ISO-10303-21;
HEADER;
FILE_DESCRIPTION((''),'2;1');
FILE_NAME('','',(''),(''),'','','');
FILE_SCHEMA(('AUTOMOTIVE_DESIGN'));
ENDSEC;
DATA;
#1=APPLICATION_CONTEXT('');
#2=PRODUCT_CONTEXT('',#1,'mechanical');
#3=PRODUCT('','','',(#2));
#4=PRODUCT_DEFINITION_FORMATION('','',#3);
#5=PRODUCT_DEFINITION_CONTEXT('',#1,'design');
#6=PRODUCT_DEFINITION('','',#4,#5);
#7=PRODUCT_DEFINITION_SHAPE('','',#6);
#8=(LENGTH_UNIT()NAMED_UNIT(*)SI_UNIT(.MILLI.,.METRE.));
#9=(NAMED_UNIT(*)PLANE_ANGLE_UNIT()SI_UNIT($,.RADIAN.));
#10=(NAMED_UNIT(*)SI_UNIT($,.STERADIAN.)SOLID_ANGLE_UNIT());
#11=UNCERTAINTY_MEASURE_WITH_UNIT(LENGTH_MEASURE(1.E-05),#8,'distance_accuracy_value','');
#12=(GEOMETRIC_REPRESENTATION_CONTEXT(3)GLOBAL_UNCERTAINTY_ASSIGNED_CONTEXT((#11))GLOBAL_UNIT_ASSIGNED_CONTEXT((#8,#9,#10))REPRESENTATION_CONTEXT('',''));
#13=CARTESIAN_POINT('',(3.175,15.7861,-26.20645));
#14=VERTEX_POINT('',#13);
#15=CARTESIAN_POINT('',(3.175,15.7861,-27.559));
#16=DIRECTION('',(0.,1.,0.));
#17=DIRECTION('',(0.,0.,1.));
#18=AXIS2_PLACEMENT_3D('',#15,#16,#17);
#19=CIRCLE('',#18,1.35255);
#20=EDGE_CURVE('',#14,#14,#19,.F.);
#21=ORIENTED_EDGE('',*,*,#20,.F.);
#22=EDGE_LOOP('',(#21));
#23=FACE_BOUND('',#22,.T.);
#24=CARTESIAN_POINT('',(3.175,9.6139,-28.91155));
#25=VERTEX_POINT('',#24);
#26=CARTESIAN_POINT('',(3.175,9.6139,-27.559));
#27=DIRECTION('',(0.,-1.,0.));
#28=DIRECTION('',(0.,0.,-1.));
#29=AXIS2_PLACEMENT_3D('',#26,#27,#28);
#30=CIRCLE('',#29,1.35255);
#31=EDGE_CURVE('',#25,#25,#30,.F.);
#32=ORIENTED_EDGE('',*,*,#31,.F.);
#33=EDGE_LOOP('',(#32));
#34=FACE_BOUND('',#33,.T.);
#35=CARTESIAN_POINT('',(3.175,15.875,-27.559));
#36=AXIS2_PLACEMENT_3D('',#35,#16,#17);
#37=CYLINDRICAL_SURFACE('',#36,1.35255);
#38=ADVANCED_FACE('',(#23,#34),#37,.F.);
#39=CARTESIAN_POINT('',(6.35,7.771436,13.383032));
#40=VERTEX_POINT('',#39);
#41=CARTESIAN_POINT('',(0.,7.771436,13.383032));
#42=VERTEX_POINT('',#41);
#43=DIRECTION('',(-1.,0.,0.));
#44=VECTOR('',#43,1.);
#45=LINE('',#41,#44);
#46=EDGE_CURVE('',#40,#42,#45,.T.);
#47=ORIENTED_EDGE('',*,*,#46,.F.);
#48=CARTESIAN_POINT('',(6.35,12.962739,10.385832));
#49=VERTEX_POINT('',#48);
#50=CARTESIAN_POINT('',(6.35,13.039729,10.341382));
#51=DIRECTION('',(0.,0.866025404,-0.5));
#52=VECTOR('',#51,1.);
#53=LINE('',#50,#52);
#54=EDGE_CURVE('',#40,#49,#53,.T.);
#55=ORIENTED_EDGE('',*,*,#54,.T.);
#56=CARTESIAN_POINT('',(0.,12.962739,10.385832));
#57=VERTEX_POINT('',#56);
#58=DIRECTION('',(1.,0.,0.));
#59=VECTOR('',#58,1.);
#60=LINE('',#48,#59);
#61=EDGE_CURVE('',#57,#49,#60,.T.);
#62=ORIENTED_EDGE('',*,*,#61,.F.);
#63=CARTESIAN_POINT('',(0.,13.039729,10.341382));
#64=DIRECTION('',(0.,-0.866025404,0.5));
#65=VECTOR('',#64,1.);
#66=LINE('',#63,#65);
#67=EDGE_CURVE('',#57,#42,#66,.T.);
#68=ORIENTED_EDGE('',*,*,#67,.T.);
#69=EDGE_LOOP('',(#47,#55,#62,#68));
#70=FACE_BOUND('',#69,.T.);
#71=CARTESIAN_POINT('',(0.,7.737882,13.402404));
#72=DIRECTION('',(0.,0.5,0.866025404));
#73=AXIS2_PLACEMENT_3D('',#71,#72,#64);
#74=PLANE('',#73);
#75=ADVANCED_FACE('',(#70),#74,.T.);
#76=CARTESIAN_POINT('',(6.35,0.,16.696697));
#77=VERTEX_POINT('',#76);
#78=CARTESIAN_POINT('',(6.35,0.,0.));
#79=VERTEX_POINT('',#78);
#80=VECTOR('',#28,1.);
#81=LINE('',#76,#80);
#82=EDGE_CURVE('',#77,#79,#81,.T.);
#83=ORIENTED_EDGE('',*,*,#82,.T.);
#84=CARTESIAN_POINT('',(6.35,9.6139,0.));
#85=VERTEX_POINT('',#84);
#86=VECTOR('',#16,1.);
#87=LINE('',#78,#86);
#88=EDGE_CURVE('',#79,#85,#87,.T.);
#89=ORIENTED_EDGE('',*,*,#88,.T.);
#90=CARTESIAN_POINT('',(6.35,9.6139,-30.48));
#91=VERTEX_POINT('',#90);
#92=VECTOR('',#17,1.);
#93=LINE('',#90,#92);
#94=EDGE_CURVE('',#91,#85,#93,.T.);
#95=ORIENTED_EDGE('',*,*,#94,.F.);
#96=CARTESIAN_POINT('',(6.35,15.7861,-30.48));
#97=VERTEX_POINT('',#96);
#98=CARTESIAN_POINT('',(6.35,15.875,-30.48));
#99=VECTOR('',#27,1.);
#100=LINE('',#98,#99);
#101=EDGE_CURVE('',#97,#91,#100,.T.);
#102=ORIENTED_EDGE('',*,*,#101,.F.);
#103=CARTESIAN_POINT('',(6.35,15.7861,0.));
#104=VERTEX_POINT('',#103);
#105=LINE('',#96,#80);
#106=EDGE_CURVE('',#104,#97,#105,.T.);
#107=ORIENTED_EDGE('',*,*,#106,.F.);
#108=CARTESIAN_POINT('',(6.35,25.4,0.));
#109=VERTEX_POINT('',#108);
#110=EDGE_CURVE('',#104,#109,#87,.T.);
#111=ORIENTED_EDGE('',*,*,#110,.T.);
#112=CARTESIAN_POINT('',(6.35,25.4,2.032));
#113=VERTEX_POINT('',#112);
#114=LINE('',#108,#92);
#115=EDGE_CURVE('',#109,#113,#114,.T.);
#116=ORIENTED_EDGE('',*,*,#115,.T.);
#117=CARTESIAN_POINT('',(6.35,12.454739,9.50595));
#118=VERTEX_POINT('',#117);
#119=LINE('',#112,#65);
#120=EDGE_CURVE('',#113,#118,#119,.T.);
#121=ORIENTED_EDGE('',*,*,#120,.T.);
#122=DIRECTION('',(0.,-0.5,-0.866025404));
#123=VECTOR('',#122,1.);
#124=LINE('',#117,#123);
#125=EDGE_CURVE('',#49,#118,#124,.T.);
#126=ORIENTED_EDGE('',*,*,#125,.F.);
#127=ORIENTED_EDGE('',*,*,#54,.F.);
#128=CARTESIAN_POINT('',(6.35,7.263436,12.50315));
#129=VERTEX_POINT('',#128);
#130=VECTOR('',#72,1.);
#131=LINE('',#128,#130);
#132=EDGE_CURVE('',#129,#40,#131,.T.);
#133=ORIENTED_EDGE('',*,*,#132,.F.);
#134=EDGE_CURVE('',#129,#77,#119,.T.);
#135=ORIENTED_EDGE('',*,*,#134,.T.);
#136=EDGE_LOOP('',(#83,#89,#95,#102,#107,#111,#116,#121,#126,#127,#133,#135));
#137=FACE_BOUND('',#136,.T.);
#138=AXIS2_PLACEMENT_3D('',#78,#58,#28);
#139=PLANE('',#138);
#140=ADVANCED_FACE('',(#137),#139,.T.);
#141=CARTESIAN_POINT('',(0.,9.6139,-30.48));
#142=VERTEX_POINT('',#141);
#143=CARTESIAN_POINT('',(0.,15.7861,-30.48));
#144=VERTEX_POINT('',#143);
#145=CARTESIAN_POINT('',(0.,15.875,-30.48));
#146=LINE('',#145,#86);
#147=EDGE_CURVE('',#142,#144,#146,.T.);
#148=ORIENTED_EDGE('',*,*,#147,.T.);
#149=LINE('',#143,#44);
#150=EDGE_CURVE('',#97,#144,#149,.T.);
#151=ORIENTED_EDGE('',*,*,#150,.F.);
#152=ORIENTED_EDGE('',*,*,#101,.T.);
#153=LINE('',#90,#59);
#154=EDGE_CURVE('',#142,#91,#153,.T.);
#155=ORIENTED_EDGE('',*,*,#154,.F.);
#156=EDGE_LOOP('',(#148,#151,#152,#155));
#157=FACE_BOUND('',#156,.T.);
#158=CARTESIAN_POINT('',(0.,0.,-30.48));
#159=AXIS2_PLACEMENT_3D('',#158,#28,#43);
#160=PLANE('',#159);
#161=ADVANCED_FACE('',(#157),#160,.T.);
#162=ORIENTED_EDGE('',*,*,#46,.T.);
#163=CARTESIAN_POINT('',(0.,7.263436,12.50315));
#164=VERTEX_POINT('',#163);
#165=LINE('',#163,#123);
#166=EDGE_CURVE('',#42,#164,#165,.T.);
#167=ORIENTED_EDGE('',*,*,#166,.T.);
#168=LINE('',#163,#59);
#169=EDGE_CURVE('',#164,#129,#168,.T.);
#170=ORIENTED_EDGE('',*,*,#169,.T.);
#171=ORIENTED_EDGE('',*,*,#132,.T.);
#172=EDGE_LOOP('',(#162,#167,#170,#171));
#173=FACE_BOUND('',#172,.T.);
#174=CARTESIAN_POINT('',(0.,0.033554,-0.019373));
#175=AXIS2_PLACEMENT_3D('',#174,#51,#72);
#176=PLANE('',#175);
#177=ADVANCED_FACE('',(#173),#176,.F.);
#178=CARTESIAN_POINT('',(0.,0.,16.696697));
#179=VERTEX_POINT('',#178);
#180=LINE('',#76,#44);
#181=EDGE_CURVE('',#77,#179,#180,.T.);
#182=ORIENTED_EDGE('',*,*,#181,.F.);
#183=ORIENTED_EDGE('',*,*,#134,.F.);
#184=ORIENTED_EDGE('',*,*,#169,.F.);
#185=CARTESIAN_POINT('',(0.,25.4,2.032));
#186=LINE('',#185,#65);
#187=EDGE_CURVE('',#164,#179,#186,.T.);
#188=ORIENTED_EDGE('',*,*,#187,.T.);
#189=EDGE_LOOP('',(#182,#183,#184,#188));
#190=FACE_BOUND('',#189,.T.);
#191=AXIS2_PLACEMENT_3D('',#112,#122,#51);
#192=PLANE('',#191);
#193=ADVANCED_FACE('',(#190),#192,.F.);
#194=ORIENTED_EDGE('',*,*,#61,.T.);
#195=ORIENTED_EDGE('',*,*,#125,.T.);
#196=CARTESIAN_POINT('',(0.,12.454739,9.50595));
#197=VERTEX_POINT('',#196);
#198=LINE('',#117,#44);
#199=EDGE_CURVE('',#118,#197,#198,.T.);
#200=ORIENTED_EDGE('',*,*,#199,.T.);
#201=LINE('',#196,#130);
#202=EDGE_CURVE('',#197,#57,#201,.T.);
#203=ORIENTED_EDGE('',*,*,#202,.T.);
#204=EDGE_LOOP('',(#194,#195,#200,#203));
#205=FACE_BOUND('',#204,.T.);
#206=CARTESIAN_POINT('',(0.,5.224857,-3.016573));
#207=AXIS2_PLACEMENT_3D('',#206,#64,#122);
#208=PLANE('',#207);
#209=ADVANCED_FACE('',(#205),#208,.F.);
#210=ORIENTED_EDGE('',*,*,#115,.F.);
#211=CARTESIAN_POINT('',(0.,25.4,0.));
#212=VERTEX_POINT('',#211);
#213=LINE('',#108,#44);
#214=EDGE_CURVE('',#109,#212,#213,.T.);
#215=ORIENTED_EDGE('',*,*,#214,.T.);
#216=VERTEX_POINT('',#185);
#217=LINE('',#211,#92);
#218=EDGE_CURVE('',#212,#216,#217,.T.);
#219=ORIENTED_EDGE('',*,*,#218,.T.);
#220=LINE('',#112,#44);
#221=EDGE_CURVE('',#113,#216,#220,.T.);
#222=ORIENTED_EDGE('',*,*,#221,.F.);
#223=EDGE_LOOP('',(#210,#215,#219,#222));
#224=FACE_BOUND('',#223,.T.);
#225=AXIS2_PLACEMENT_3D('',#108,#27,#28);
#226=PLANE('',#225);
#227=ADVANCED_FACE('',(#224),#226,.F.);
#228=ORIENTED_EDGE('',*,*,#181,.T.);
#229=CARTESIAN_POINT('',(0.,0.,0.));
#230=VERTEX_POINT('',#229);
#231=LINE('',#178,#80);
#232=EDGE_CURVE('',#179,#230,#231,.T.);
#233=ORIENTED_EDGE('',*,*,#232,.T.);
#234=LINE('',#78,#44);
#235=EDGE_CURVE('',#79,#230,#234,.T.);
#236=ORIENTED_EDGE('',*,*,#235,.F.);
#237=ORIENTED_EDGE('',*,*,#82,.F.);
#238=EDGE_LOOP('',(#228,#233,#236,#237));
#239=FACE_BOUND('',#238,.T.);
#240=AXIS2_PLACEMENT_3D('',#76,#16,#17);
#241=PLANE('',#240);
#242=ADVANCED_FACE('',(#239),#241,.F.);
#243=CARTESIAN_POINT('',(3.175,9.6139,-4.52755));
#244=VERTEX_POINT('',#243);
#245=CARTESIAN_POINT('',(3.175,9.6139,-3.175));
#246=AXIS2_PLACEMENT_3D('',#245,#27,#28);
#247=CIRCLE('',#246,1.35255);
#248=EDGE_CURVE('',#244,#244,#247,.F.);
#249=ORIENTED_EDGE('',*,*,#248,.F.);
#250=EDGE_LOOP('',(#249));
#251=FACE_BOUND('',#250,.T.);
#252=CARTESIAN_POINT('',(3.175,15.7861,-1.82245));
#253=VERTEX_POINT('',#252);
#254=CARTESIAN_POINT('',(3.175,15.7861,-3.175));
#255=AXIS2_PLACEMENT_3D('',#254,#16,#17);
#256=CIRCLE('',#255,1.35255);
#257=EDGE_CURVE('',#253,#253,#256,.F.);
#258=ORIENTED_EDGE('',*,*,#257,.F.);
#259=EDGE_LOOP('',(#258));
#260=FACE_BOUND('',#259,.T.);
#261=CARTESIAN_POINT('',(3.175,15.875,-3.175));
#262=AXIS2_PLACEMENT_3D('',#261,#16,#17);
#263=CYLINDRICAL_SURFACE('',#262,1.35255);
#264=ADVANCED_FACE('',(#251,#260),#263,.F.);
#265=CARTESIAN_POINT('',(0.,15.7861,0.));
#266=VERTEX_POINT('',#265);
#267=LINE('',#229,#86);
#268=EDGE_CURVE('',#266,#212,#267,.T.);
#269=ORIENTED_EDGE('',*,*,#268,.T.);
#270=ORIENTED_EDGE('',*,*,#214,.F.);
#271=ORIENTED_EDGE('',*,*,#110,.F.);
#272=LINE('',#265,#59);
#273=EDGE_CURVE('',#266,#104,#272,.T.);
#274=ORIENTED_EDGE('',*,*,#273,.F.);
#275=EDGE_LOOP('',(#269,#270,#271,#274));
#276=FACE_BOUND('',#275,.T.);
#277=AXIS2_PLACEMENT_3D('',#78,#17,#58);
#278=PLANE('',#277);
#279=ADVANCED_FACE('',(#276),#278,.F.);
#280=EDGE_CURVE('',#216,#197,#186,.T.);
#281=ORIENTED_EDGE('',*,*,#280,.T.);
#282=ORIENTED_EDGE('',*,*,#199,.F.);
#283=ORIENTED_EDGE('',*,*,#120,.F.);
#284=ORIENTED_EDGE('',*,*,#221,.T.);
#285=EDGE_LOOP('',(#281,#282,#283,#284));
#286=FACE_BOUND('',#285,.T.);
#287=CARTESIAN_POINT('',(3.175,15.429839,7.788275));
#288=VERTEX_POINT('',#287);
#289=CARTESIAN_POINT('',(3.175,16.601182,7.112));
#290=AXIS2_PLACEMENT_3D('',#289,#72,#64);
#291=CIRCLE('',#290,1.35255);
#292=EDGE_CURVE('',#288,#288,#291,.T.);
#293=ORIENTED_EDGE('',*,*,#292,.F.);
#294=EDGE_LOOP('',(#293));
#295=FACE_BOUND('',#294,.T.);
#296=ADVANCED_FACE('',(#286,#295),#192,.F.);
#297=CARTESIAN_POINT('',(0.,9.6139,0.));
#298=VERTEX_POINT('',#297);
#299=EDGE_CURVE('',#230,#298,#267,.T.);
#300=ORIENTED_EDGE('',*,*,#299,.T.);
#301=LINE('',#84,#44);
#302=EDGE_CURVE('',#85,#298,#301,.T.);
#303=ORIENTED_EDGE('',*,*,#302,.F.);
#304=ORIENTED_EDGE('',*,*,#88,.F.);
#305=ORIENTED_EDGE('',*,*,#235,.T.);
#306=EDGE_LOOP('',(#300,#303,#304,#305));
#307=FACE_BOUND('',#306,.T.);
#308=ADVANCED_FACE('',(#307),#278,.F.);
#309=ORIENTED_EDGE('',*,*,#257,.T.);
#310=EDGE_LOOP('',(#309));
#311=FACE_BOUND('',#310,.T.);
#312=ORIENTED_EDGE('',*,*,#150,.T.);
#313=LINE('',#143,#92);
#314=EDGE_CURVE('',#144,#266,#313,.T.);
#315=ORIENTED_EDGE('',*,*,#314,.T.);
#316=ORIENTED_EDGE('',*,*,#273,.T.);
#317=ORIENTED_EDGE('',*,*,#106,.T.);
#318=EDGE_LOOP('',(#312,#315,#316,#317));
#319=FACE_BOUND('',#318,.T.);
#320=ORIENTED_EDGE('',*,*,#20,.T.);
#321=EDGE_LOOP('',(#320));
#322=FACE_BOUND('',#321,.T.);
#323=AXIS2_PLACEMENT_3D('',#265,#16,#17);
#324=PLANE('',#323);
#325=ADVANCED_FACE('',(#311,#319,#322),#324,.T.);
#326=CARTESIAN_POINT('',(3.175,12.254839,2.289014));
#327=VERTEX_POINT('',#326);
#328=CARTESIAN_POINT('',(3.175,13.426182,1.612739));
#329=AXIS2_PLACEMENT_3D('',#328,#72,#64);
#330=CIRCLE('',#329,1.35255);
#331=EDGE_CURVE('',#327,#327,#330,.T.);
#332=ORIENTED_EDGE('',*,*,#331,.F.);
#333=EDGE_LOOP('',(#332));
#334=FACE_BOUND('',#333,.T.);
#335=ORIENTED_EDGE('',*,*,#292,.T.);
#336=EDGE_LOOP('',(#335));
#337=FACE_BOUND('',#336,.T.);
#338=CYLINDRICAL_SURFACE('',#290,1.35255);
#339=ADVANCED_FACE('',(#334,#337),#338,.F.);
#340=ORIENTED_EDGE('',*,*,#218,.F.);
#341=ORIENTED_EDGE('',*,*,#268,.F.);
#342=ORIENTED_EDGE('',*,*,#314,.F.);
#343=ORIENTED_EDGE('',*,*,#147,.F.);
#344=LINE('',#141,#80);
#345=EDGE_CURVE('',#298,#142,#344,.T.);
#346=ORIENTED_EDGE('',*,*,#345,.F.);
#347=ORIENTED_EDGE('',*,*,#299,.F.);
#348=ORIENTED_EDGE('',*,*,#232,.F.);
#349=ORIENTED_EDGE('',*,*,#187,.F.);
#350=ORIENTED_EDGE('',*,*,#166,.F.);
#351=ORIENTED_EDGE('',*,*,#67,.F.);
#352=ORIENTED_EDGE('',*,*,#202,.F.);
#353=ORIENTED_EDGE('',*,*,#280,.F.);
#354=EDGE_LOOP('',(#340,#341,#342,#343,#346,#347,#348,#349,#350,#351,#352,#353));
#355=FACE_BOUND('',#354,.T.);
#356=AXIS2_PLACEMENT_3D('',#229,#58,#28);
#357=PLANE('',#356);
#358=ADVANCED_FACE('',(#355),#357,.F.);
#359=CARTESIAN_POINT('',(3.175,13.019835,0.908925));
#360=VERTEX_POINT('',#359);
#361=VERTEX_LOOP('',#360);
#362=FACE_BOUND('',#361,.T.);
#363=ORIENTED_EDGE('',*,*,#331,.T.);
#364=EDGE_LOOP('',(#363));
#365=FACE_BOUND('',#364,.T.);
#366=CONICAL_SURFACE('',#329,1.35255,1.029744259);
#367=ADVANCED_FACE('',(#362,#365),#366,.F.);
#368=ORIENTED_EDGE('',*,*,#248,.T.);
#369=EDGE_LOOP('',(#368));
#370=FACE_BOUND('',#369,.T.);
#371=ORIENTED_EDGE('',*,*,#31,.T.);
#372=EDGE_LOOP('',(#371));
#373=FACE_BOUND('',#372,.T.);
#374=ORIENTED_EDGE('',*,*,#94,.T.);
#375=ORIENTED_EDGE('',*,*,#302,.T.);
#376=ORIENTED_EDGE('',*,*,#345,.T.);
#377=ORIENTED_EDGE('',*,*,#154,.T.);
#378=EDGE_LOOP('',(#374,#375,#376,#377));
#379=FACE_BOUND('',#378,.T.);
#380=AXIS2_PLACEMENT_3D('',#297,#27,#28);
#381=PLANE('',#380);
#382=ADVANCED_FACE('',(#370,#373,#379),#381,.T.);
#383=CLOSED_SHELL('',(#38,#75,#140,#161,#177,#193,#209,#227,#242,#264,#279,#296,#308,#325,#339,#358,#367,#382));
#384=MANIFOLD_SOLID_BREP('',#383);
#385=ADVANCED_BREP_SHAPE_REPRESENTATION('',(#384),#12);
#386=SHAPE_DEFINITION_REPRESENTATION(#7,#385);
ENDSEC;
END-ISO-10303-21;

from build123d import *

# Parameters (mm, degrees)
BOSS_EXTRUDE1_DEPTH           = 6.35
SKETCH2_W                     = 6.35
SKETCH2_H                     = 6.35
BOSS_EXTRUDE2_DEPTH           = 30.48
SKETCH10_W                    = 6.35
SKETCH10_H                    = 6.1722
BOSS_EXTRUDE3_DEPTH           = 1.016
TAP_DRILL_FOR_6_32_TAP4_D     = 2.7051
TAP_DRILL_FOR_6_32_TAP4_DEPTH = 6.35
TAP_DRILL_FOR_6_32_TAP4_TIP   = 0.81269403
TAP_DRILL_FOR_6_32_TAP3_D     = 2.7051
SKETCH13_W                    = 6.35
SKETCH13_H                    = 30.48
CUT_EXTRUDE1_DEPTH            = 0.0889
SKETCH14_W                    = 6.35
SKETCH14_H                    = 30.48
CUT_EXTRUDE2_DEPTH            = 0.0889
SKETCH15_W                    = 6.35
SKETCH15_H                    = 1.016
CUT_EXTRUDE3_DEPTH            = 0.0889
SKETCH16_W                    = 6.35
SKETCH16_H                    = 1.016
CUT_EXTRUDE4_DEPTH            = 0.0889


with BuildPart() as part:
    # Sketch1 → Boss-Extrude1 (new body)
    with BuildSketch(Plane(origin=(0, 0, 0), x_dir=(0, 0, -1), z_dir=(1, 0, 0))):
        Polygon((0, 0), (0, 25.4), (-2.032, 25.4), (-16.696696837, 0), align=None)
    extrude(amount=BOSS_EXTRUDE1_DEPTH)

    # Sketch2 → Boss-Extrude2 (add)
    with BuildSketch(Plane(origin=(0, 0, 0), x_dir=(-1, 0, 0), z_dir=(0, 0, -1))):
        with Locations((-3.175, 12.7)):
            Rectangle(SKETCH2_W, SKETCH2_H)
    extrude(amount=BOSS_EXTRUDE2_DEPTH)

    # Sketch10 → Boss-Extrude3 (add)
    with BuildSketch(Plane(origin=(0, 7.22988181, 12.522522628), x_dir=(1, 0, 0), z_dir=(0, 0.49999999999999467, 0.8660254037844417))):
        with Locations((3.175, 3.035945256)):
            Rectangle(SKETCH10_W, SKETCH10_H)
    extrude(amount=BOSS_EXTRUDE3_DEPTH)

    # Tap Drill for #6-32 Tap4
    with Locations(Plane(origin=(0, 7.22988181, 12.522522628), x_dir=(1, 0, 0), z_dir=(0, 0.49999999999999467, 0.8660254037844417))):
        with Locations((3.175, 10.821045256)):
            Hole(TAP_DRILL_FOR_6_32_TAP4_D / 2, depth=TAP_DRILL_FOR_6_32_TAP4_DEPTH)
            with Locations((0, 0, -(TAP_DRILL_FOR_6_32_TAP4_DEPTH + TAP_DRILL_FOR_6_32_TAP4_TIP / 2))):  # 118° drill point
                Cone(0, TAP_DRILL_FOR_6_32_TAP4_D / 2, TAP_DRILL_FOR_6_32_TAP4_TIP, mode=Mode.SUBTRACT)

    # Tap Drill for #6-32 Tap3 (through all)
    with Locations(Plane(origin=(0, 15.875, 0), x_dir=(1, 0, 0), z_dir=(0, 1, 0))):
        with Locations((3.175, 3.175), (3.175, 27.559)):
            Hole(TAP_DRILL_FOR_6_32_TAP3_D / 2)

    # Sketch13 → Cut-Extrude1 (cut)
    with BuildSketch(Plane(origin=(0, 15.875, 0), x_dir=(1, 0, 0), z_dir=(0, 1, 0))):
        with Locations((3.175, 15.24)):
            Rectangle(SKETCH13_W, SKETCH13_H)
    extrude(amount=-CUT_EXTRUDE1_DEPTH, mode=Mode.SUBTRACT)

    # Sketch14 → Cut-Extrude2 (cut)
    with BuildSketch(Plane.XZ.offset(-9.525)):
        with Locations((3.175, -15.24)):
            Rectangle(SKETCH14_W, SKETCH14_H)
    extrude(amount=-CUT_EXTRUDE2_DEPTH, mode=Mode.SUBTRACT)

    # Sketch15 → Cut-Extrude3 (cut)
    with BuildSketch(Plane(origin=(0, 5.301846715, -3.061022628), x_dir=(1, 0, 0), z_dir=(0, 0.8660254037844417, -0.49999999999999467))):
        with Locations((3.175, -14.96776362)):
            Rectangle(SKETCH15_W, SKETCH15_H)
    extrude(amount=-CUT_EXTRUDE3_DEPTH, mode=Mode.SUBTRACT)

    # Sketch16 → Cut-Extrude4 (cut)
    with BuildSketch(Plane(origin=(0, -0.043435282, 0.025077372), x_dir=(1, 0, 0), z_dir=(0, -0.8660254037844417, 0.49999999999999467))):
        with Locations((3.175, 14.96776362)):
            Rectangle(SKETCH16_W, SKETCH16_H)
    extrude(amount=-CUT_EXTRUDE4_DEPTH, mode=Mode.SUBTRACT)


solid = part.part
